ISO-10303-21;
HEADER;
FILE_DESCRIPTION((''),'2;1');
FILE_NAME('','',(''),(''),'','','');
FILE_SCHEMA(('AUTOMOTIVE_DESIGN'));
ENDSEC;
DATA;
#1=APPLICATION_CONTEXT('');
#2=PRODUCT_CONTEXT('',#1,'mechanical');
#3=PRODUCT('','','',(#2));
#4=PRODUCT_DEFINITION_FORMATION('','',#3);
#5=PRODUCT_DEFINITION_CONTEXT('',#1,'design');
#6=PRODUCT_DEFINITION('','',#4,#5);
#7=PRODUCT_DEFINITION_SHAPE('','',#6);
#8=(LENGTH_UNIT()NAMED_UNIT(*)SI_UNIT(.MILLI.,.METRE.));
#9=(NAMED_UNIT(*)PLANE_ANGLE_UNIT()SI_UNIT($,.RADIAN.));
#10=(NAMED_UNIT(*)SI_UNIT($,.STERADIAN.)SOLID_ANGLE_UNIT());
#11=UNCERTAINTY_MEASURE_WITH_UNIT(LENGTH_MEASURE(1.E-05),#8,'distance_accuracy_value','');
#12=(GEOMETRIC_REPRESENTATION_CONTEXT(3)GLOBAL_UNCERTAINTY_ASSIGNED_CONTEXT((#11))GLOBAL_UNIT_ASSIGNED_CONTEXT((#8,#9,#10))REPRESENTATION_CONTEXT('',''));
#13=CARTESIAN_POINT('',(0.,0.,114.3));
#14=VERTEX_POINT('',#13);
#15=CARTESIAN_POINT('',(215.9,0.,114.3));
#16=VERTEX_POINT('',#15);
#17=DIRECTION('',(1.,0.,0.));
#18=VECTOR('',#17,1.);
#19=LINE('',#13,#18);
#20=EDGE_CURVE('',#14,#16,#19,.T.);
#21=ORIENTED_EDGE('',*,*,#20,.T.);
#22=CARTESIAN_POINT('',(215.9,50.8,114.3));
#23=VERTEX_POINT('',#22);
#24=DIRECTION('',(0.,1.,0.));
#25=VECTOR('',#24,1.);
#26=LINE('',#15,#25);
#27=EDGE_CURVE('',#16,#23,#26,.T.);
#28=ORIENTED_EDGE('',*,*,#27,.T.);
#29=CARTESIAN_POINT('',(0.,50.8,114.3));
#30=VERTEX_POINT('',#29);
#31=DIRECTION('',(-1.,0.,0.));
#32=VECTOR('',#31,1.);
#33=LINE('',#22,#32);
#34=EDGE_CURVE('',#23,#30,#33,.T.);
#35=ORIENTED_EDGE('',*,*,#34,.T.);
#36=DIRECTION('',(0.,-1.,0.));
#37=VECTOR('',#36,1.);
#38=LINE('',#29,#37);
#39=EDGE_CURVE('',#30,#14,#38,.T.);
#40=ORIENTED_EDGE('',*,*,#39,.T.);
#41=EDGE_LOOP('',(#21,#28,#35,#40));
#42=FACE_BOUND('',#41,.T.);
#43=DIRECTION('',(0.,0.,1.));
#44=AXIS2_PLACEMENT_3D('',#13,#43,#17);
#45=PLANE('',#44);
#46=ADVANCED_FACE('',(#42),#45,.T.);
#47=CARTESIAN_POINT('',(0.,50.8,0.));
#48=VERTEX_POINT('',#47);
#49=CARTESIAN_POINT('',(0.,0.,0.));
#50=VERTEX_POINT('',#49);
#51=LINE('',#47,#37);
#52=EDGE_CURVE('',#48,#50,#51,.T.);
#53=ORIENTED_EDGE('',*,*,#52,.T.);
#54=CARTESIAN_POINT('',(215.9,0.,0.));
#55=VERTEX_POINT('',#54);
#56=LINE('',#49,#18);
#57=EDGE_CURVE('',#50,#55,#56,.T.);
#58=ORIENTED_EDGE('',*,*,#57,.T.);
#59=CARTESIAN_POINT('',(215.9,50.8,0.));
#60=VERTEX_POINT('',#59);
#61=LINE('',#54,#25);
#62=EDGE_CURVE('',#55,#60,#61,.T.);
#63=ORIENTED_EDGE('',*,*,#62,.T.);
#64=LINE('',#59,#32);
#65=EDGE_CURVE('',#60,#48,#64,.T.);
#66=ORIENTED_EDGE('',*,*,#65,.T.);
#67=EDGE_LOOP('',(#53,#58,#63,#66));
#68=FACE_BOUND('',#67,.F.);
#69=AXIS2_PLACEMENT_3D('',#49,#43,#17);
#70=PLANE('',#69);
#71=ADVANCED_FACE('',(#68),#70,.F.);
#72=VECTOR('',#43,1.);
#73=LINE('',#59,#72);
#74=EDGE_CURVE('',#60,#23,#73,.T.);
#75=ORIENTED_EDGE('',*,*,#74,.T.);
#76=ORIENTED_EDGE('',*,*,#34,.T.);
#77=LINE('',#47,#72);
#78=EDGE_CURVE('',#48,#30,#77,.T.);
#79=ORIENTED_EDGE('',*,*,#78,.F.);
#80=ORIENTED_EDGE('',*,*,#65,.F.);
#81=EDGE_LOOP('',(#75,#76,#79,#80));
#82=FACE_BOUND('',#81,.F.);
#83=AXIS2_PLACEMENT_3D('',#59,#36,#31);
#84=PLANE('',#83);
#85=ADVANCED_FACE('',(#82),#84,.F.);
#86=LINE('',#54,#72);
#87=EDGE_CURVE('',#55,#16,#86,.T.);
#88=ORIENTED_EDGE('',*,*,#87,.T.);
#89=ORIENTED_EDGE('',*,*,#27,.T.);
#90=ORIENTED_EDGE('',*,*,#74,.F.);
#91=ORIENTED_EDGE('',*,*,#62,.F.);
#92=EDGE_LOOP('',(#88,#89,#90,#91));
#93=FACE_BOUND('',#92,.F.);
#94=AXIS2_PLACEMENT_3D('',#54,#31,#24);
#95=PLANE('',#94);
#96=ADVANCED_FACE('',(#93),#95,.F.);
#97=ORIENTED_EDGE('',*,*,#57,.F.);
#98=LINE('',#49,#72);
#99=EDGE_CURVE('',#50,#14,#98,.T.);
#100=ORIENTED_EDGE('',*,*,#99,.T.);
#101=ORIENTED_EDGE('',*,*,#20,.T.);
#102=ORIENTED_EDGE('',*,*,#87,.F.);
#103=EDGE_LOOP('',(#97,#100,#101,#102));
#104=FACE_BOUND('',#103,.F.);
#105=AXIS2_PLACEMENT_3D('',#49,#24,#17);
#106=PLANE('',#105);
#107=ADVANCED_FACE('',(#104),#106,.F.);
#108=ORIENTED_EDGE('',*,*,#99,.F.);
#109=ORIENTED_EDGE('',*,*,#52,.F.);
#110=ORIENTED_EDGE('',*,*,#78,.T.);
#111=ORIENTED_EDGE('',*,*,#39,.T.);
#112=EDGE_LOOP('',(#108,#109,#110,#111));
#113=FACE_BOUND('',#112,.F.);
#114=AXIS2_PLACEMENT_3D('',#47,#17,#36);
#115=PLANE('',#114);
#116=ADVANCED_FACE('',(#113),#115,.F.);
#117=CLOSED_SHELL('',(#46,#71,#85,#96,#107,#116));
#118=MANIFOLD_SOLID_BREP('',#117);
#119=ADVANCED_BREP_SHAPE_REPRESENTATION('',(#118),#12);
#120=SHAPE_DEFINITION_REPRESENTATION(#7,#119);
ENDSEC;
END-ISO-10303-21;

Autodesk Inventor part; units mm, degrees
ref_plane "YZ Plane" through (0, 0, 0) normal (1, 0, 0) x (0, 1, 0)
ref_plane "XZ Plane" through (0, 0, 0) normal (0, 1, 0) x (-1, 0, 0)
ref_plane "XY Plane" through (0, 0, 0) normal (0, 0, 1) x (1, 0, 0)
sketch "Sketch1" plane through (0, 0, 0) normal (0, 0, 1) x (1, 0, 0)
  line L0 (0, 0) -> (215.9, 0)
  line L1 (215.9, 0) -> (215.9, 50.8)
  line L2 (215.9, 50.8) -> (0, 50.8)
  line L3 (0, 50.8) -> (0, 0)
  dimension "d0" = 215.9
  dimension "d1" = 50.8
extrude "Extrusion1" add sketch "Sketch1" along normal blind 114.3
properties part number "Power Suplply"
